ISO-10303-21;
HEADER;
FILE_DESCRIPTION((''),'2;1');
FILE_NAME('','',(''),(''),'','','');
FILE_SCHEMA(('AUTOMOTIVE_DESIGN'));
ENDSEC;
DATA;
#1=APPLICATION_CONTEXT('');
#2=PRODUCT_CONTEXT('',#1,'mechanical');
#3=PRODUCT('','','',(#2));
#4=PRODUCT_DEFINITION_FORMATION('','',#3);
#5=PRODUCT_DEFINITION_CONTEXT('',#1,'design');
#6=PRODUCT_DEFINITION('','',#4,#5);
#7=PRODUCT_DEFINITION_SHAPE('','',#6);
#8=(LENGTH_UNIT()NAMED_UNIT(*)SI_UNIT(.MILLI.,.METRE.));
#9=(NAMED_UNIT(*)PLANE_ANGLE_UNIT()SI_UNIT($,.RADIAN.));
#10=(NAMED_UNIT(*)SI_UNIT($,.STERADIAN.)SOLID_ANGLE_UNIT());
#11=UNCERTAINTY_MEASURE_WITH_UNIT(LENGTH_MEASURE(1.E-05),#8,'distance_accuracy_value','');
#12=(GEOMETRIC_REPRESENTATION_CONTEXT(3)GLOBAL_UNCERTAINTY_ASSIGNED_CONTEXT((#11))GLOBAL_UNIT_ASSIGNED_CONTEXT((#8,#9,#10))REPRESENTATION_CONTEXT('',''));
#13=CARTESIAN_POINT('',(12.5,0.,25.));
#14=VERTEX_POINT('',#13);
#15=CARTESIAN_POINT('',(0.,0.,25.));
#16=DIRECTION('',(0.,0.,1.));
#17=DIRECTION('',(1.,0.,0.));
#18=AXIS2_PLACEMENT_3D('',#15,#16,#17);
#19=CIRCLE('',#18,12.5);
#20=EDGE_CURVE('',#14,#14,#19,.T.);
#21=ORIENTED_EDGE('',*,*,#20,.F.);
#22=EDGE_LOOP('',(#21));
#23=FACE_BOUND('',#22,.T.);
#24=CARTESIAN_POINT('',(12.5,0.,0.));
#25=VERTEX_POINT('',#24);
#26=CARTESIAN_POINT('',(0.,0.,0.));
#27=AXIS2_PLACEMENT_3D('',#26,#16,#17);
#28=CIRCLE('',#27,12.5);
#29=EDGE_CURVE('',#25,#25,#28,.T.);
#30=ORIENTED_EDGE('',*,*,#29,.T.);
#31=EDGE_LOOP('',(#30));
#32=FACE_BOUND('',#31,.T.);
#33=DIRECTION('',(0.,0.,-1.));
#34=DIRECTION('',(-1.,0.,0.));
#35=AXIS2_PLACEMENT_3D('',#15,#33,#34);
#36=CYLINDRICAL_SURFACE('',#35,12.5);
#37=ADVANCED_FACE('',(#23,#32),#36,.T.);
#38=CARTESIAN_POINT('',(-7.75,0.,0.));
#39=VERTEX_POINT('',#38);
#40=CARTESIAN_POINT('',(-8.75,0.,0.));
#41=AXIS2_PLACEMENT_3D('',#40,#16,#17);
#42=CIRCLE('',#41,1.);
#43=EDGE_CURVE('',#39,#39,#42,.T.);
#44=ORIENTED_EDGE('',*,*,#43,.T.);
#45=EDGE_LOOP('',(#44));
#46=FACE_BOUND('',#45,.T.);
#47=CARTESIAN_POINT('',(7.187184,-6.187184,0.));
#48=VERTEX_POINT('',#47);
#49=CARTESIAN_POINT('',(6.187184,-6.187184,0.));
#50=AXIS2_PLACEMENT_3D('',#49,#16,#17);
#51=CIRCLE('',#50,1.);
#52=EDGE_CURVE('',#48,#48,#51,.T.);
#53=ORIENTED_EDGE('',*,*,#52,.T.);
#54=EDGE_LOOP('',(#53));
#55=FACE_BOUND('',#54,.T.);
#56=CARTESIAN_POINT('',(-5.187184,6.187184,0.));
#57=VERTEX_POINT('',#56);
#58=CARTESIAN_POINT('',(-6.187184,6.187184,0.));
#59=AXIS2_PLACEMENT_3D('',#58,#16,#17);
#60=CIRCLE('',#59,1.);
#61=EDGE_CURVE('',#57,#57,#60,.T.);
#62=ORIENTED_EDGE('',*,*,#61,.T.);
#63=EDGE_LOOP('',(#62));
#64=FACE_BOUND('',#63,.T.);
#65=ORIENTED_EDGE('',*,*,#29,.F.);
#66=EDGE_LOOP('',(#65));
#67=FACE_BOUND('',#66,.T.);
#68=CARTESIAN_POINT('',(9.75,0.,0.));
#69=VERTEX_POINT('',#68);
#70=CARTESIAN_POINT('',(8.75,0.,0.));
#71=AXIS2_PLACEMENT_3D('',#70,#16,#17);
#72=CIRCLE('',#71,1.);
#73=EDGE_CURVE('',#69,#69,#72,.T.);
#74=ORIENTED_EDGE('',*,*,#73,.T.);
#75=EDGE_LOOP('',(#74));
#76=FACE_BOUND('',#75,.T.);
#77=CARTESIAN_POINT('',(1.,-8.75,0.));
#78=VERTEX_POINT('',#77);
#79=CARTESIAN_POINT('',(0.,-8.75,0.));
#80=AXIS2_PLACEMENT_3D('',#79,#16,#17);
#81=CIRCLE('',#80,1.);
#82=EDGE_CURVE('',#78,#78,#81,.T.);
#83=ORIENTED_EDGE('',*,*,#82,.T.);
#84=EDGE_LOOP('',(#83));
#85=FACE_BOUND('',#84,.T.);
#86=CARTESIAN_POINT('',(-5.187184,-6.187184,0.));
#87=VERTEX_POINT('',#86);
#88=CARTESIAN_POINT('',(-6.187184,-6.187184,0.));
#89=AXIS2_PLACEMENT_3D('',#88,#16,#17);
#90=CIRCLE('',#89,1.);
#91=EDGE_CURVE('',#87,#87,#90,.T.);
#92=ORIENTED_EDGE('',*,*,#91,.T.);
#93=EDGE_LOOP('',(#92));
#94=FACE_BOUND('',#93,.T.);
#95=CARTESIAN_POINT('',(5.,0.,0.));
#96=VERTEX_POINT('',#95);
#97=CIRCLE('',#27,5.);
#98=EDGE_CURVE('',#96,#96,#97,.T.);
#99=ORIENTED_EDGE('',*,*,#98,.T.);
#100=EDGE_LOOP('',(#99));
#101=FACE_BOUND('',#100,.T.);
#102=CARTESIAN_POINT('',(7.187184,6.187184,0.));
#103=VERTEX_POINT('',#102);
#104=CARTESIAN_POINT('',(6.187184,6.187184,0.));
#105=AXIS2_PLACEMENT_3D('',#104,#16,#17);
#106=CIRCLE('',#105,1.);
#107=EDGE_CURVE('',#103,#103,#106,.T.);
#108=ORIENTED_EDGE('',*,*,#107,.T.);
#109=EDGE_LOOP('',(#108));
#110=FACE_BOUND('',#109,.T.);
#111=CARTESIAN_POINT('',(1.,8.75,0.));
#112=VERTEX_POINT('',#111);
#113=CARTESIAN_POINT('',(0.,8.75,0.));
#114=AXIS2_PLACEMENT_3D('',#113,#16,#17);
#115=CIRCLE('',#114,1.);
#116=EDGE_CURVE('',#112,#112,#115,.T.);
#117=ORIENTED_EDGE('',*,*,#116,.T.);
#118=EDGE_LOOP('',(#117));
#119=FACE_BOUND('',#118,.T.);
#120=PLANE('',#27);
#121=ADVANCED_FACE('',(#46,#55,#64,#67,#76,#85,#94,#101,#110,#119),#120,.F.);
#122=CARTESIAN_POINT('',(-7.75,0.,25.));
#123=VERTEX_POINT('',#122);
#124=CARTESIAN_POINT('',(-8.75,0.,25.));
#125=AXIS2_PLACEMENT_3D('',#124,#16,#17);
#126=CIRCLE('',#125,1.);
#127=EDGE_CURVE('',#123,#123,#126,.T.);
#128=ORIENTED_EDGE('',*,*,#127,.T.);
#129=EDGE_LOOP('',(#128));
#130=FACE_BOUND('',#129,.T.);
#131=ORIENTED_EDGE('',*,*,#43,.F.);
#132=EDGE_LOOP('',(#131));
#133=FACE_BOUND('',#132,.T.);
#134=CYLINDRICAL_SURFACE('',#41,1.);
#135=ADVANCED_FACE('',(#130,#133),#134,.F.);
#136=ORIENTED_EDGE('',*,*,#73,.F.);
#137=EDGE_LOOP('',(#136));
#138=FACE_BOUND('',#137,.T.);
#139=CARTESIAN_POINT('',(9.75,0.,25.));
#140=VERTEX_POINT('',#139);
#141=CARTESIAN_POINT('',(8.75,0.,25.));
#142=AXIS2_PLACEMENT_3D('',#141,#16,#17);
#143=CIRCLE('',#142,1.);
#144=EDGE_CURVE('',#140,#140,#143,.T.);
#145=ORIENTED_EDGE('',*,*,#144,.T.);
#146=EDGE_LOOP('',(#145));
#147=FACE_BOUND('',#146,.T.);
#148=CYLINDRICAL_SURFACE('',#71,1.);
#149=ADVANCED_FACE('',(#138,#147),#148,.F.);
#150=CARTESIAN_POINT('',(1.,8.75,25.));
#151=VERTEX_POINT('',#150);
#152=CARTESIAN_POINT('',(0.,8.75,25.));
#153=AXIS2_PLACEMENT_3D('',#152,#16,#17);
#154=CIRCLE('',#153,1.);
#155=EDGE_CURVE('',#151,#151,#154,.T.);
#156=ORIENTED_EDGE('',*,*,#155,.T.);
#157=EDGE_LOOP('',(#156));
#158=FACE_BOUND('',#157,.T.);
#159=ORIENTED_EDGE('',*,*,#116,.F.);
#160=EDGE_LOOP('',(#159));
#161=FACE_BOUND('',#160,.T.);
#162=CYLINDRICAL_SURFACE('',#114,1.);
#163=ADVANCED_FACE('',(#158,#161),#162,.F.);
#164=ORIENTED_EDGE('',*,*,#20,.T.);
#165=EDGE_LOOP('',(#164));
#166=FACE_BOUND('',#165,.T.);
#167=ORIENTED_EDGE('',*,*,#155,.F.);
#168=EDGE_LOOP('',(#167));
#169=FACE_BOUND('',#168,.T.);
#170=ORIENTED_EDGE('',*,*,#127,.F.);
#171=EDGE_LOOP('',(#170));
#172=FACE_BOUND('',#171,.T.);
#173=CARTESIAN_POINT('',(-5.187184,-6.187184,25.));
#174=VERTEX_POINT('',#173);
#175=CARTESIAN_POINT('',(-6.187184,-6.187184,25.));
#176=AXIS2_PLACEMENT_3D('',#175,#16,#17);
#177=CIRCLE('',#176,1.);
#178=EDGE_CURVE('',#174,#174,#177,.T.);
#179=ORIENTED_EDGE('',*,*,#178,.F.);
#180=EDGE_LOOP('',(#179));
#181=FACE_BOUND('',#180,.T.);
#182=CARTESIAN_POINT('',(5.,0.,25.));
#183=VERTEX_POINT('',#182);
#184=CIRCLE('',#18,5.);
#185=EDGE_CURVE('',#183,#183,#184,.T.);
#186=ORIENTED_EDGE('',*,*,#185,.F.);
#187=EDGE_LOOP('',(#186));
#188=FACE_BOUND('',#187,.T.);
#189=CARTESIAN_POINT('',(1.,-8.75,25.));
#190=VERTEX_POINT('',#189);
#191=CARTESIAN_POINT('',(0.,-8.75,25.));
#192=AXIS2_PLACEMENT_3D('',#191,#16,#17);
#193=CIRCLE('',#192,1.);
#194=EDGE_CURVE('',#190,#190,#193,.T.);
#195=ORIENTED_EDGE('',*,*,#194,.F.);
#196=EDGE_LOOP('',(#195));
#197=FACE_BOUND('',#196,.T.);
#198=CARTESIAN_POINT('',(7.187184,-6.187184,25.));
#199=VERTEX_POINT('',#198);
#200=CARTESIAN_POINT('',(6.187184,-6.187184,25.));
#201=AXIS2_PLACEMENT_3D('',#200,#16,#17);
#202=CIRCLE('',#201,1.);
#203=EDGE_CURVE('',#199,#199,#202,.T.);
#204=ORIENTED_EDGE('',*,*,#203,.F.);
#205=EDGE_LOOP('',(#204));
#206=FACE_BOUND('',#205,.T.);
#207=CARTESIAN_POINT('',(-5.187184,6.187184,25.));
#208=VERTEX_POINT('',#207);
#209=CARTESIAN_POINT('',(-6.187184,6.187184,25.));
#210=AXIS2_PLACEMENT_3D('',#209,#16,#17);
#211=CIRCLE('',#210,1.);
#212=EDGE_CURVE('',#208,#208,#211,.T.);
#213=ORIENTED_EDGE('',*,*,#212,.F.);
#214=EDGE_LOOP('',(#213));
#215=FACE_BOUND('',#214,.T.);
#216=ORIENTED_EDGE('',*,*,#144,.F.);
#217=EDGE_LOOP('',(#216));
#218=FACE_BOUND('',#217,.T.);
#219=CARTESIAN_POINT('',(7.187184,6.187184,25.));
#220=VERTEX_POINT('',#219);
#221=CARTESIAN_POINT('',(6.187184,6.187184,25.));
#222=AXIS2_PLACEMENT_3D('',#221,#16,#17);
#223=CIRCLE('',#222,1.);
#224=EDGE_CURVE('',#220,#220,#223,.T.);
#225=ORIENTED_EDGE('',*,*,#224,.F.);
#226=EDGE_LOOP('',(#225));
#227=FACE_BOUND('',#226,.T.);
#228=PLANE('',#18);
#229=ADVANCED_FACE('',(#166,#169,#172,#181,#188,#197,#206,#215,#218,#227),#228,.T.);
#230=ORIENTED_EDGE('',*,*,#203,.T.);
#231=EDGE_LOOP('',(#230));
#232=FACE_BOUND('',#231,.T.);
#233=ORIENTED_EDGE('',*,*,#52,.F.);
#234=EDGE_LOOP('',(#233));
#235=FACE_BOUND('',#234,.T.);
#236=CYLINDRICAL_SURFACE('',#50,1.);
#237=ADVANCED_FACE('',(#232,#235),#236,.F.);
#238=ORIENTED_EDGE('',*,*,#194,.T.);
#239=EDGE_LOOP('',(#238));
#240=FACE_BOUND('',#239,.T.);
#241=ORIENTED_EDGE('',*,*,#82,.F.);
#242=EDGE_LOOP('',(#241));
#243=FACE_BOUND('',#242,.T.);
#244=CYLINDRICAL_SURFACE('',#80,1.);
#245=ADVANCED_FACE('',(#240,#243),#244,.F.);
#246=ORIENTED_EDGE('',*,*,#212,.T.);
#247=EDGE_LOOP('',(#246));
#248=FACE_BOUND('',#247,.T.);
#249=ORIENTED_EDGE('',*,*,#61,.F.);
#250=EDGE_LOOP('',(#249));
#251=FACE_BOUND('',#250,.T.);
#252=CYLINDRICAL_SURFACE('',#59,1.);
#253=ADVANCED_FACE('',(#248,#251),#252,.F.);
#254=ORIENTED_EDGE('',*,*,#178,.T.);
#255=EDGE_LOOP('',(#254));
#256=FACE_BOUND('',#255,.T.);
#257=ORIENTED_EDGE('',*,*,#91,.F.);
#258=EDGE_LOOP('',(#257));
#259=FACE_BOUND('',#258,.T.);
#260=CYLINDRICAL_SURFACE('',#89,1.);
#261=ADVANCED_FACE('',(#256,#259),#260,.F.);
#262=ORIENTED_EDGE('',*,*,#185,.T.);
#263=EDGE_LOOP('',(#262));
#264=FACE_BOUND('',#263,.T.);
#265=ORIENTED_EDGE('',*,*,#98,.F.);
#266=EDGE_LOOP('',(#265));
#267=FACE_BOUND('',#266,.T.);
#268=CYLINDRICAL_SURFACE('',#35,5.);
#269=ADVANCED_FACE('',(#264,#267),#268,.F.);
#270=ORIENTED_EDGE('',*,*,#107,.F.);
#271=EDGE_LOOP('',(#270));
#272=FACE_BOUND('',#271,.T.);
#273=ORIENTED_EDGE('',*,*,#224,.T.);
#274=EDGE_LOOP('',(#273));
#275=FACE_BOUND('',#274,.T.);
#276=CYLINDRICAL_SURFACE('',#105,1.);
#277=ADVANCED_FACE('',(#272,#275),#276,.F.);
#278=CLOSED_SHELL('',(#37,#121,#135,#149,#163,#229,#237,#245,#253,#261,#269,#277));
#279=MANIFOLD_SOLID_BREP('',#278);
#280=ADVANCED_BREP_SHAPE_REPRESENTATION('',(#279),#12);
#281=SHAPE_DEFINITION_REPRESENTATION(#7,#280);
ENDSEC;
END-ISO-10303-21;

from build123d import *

# Parameters (mm, degrees)
SKIZZE1_R                       = 12.5
SKIZZE1_R_2                     = 5
AUFSATZ_LINEAR_AUSTRAGEN1_DEPTH = 25
SKIZZE2_R                       = 1
SCHNITT_LINEAR_AUSTRAGEN1_DEPTH = 25


with BuildPart() as part:
    # Skizze1 → Aufsatz-Linear austragen1 (new body)
    with BuildSketch(Plane.XY):
        Circle(SKIZZE1_R)
        Circle(SKIZZE1_R_2, mode=Mode.SUBTRACT)
    extrude(amount=AUFSATZ_LINEAR_AUSTRAGEN1_DEPTH)

    # Skizze2 → Schnitt-Linear austragen1 (cut)
    with BuildSketch(Plane.XY.offset(25)):
        with Locations((0, 8.75)):
            Circle(SKIZZE2_R)
        with Locations((6.187184335, 6.187184335)):
            Circle(SKIZZE2_R)
        with Locations((8.75, 0)):
            Circle(SKIZZE2_R)
        with Locations((6.187184335, -6.187184335)):
            Circle(SKIZZE2_R)
        with Locations((0, -8.75)):
            Circle(SKIZZE2_R)
        with Locations((-6.187184335, -6.187184335)):
            Circle(SKIZZE2_R)
        with Locations((-8.75, 0)):
            Circle(SKIZZE2_R)
        with Locations((-6.187184335, 6.187184335)):
            Circle(SKIZZE2_R)
    extrude(amount=-SCHNITT_LINEAR_AUSTRAGEN1_DEPTH, mode=Mode.SUBTRACT)


solid = part.part
